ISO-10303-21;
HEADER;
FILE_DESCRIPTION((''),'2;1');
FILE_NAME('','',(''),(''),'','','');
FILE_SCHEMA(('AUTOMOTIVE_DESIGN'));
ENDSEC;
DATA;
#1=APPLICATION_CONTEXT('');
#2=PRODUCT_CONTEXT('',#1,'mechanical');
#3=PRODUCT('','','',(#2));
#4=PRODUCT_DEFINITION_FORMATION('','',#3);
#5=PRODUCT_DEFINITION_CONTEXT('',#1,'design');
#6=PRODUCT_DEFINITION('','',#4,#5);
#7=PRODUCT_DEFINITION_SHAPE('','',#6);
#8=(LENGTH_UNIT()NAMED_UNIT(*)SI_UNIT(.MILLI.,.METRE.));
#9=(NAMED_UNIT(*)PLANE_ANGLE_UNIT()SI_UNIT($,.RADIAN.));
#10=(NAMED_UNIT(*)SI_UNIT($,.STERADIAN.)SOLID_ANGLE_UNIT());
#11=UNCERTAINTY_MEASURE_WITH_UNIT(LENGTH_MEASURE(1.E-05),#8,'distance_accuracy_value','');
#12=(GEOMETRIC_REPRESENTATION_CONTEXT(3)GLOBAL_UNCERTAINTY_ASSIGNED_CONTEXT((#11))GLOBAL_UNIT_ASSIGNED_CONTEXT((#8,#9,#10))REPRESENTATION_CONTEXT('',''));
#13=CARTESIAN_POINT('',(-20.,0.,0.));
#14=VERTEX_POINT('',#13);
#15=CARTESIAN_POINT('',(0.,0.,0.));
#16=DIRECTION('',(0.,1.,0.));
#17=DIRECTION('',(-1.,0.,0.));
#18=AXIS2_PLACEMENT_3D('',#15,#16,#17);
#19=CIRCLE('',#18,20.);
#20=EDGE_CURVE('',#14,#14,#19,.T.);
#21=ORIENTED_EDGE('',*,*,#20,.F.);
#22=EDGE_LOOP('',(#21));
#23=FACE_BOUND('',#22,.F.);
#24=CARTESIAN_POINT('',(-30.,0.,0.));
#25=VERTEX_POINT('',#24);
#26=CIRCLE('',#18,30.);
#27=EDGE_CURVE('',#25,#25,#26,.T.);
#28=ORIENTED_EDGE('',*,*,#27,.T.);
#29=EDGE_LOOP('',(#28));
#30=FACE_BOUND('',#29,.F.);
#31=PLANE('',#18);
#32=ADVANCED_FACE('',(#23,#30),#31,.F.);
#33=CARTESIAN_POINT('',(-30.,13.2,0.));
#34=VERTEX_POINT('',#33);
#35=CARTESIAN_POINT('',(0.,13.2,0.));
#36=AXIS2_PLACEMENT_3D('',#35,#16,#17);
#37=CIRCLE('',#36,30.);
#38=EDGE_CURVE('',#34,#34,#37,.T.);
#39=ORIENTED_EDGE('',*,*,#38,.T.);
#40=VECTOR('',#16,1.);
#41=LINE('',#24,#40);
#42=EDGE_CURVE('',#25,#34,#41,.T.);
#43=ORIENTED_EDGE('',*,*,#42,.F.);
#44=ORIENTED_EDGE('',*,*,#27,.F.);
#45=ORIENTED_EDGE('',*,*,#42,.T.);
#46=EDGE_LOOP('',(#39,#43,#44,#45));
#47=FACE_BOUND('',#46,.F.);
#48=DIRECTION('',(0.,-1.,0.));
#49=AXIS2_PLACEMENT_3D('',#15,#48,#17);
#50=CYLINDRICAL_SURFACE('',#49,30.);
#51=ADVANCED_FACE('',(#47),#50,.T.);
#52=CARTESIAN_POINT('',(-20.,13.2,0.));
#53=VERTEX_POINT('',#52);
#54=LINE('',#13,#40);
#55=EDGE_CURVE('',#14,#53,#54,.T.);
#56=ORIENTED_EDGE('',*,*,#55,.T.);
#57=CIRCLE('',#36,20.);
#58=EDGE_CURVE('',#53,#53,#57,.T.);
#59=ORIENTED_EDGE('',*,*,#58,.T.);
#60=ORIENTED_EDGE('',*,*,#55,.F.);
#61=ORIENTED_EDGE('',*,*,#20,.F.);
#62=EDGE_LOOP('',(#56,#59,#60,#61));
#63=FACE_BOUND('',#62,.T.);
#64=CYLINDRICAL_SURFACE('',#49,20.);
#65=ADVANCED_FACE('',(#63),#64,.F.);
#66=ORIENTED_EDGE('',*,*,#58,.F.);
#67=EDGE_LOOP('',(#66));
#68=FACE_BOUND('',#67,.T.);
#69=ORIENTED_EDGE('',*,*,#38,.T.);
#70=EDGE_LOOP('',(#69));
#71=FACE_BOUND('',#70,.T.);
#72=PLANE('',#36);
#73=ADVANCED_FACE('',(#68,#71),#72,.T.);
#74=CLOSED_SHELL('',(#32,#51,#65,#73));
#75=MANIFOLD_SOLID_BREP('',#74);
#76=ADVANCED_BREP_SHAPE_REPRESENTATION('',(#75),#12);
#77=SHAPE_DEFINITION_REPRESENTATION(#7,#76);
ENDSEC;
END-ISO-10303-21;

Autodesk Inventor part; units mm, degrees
ref_plane "YZ Plane" through (0, 0, 0) normal (1, 0, 0) x (0, 1, 0)
ref_plane "XZ Plane" through (0, 0, 0) normal (0, 1, 0) x (-1, 0, 0)
ref_plane "XY Plane" through (0, 0, 0) normal (0, 0, 1) x (1, 0, 0)
sketch "Sketch1" plane through (0, 0, 0) normal (0, 1, 0) x (-1, 0, 0)
  circle A0 centre (0, 0) radius 30
  circle A1 centre (0, 0) radius 20
  dimension "d0" = 40
  dimension "d1" = 60
extrude "Extrusion1" add sketch "Sketch1" along normal blind 13.2
properties part number "bearings base"
